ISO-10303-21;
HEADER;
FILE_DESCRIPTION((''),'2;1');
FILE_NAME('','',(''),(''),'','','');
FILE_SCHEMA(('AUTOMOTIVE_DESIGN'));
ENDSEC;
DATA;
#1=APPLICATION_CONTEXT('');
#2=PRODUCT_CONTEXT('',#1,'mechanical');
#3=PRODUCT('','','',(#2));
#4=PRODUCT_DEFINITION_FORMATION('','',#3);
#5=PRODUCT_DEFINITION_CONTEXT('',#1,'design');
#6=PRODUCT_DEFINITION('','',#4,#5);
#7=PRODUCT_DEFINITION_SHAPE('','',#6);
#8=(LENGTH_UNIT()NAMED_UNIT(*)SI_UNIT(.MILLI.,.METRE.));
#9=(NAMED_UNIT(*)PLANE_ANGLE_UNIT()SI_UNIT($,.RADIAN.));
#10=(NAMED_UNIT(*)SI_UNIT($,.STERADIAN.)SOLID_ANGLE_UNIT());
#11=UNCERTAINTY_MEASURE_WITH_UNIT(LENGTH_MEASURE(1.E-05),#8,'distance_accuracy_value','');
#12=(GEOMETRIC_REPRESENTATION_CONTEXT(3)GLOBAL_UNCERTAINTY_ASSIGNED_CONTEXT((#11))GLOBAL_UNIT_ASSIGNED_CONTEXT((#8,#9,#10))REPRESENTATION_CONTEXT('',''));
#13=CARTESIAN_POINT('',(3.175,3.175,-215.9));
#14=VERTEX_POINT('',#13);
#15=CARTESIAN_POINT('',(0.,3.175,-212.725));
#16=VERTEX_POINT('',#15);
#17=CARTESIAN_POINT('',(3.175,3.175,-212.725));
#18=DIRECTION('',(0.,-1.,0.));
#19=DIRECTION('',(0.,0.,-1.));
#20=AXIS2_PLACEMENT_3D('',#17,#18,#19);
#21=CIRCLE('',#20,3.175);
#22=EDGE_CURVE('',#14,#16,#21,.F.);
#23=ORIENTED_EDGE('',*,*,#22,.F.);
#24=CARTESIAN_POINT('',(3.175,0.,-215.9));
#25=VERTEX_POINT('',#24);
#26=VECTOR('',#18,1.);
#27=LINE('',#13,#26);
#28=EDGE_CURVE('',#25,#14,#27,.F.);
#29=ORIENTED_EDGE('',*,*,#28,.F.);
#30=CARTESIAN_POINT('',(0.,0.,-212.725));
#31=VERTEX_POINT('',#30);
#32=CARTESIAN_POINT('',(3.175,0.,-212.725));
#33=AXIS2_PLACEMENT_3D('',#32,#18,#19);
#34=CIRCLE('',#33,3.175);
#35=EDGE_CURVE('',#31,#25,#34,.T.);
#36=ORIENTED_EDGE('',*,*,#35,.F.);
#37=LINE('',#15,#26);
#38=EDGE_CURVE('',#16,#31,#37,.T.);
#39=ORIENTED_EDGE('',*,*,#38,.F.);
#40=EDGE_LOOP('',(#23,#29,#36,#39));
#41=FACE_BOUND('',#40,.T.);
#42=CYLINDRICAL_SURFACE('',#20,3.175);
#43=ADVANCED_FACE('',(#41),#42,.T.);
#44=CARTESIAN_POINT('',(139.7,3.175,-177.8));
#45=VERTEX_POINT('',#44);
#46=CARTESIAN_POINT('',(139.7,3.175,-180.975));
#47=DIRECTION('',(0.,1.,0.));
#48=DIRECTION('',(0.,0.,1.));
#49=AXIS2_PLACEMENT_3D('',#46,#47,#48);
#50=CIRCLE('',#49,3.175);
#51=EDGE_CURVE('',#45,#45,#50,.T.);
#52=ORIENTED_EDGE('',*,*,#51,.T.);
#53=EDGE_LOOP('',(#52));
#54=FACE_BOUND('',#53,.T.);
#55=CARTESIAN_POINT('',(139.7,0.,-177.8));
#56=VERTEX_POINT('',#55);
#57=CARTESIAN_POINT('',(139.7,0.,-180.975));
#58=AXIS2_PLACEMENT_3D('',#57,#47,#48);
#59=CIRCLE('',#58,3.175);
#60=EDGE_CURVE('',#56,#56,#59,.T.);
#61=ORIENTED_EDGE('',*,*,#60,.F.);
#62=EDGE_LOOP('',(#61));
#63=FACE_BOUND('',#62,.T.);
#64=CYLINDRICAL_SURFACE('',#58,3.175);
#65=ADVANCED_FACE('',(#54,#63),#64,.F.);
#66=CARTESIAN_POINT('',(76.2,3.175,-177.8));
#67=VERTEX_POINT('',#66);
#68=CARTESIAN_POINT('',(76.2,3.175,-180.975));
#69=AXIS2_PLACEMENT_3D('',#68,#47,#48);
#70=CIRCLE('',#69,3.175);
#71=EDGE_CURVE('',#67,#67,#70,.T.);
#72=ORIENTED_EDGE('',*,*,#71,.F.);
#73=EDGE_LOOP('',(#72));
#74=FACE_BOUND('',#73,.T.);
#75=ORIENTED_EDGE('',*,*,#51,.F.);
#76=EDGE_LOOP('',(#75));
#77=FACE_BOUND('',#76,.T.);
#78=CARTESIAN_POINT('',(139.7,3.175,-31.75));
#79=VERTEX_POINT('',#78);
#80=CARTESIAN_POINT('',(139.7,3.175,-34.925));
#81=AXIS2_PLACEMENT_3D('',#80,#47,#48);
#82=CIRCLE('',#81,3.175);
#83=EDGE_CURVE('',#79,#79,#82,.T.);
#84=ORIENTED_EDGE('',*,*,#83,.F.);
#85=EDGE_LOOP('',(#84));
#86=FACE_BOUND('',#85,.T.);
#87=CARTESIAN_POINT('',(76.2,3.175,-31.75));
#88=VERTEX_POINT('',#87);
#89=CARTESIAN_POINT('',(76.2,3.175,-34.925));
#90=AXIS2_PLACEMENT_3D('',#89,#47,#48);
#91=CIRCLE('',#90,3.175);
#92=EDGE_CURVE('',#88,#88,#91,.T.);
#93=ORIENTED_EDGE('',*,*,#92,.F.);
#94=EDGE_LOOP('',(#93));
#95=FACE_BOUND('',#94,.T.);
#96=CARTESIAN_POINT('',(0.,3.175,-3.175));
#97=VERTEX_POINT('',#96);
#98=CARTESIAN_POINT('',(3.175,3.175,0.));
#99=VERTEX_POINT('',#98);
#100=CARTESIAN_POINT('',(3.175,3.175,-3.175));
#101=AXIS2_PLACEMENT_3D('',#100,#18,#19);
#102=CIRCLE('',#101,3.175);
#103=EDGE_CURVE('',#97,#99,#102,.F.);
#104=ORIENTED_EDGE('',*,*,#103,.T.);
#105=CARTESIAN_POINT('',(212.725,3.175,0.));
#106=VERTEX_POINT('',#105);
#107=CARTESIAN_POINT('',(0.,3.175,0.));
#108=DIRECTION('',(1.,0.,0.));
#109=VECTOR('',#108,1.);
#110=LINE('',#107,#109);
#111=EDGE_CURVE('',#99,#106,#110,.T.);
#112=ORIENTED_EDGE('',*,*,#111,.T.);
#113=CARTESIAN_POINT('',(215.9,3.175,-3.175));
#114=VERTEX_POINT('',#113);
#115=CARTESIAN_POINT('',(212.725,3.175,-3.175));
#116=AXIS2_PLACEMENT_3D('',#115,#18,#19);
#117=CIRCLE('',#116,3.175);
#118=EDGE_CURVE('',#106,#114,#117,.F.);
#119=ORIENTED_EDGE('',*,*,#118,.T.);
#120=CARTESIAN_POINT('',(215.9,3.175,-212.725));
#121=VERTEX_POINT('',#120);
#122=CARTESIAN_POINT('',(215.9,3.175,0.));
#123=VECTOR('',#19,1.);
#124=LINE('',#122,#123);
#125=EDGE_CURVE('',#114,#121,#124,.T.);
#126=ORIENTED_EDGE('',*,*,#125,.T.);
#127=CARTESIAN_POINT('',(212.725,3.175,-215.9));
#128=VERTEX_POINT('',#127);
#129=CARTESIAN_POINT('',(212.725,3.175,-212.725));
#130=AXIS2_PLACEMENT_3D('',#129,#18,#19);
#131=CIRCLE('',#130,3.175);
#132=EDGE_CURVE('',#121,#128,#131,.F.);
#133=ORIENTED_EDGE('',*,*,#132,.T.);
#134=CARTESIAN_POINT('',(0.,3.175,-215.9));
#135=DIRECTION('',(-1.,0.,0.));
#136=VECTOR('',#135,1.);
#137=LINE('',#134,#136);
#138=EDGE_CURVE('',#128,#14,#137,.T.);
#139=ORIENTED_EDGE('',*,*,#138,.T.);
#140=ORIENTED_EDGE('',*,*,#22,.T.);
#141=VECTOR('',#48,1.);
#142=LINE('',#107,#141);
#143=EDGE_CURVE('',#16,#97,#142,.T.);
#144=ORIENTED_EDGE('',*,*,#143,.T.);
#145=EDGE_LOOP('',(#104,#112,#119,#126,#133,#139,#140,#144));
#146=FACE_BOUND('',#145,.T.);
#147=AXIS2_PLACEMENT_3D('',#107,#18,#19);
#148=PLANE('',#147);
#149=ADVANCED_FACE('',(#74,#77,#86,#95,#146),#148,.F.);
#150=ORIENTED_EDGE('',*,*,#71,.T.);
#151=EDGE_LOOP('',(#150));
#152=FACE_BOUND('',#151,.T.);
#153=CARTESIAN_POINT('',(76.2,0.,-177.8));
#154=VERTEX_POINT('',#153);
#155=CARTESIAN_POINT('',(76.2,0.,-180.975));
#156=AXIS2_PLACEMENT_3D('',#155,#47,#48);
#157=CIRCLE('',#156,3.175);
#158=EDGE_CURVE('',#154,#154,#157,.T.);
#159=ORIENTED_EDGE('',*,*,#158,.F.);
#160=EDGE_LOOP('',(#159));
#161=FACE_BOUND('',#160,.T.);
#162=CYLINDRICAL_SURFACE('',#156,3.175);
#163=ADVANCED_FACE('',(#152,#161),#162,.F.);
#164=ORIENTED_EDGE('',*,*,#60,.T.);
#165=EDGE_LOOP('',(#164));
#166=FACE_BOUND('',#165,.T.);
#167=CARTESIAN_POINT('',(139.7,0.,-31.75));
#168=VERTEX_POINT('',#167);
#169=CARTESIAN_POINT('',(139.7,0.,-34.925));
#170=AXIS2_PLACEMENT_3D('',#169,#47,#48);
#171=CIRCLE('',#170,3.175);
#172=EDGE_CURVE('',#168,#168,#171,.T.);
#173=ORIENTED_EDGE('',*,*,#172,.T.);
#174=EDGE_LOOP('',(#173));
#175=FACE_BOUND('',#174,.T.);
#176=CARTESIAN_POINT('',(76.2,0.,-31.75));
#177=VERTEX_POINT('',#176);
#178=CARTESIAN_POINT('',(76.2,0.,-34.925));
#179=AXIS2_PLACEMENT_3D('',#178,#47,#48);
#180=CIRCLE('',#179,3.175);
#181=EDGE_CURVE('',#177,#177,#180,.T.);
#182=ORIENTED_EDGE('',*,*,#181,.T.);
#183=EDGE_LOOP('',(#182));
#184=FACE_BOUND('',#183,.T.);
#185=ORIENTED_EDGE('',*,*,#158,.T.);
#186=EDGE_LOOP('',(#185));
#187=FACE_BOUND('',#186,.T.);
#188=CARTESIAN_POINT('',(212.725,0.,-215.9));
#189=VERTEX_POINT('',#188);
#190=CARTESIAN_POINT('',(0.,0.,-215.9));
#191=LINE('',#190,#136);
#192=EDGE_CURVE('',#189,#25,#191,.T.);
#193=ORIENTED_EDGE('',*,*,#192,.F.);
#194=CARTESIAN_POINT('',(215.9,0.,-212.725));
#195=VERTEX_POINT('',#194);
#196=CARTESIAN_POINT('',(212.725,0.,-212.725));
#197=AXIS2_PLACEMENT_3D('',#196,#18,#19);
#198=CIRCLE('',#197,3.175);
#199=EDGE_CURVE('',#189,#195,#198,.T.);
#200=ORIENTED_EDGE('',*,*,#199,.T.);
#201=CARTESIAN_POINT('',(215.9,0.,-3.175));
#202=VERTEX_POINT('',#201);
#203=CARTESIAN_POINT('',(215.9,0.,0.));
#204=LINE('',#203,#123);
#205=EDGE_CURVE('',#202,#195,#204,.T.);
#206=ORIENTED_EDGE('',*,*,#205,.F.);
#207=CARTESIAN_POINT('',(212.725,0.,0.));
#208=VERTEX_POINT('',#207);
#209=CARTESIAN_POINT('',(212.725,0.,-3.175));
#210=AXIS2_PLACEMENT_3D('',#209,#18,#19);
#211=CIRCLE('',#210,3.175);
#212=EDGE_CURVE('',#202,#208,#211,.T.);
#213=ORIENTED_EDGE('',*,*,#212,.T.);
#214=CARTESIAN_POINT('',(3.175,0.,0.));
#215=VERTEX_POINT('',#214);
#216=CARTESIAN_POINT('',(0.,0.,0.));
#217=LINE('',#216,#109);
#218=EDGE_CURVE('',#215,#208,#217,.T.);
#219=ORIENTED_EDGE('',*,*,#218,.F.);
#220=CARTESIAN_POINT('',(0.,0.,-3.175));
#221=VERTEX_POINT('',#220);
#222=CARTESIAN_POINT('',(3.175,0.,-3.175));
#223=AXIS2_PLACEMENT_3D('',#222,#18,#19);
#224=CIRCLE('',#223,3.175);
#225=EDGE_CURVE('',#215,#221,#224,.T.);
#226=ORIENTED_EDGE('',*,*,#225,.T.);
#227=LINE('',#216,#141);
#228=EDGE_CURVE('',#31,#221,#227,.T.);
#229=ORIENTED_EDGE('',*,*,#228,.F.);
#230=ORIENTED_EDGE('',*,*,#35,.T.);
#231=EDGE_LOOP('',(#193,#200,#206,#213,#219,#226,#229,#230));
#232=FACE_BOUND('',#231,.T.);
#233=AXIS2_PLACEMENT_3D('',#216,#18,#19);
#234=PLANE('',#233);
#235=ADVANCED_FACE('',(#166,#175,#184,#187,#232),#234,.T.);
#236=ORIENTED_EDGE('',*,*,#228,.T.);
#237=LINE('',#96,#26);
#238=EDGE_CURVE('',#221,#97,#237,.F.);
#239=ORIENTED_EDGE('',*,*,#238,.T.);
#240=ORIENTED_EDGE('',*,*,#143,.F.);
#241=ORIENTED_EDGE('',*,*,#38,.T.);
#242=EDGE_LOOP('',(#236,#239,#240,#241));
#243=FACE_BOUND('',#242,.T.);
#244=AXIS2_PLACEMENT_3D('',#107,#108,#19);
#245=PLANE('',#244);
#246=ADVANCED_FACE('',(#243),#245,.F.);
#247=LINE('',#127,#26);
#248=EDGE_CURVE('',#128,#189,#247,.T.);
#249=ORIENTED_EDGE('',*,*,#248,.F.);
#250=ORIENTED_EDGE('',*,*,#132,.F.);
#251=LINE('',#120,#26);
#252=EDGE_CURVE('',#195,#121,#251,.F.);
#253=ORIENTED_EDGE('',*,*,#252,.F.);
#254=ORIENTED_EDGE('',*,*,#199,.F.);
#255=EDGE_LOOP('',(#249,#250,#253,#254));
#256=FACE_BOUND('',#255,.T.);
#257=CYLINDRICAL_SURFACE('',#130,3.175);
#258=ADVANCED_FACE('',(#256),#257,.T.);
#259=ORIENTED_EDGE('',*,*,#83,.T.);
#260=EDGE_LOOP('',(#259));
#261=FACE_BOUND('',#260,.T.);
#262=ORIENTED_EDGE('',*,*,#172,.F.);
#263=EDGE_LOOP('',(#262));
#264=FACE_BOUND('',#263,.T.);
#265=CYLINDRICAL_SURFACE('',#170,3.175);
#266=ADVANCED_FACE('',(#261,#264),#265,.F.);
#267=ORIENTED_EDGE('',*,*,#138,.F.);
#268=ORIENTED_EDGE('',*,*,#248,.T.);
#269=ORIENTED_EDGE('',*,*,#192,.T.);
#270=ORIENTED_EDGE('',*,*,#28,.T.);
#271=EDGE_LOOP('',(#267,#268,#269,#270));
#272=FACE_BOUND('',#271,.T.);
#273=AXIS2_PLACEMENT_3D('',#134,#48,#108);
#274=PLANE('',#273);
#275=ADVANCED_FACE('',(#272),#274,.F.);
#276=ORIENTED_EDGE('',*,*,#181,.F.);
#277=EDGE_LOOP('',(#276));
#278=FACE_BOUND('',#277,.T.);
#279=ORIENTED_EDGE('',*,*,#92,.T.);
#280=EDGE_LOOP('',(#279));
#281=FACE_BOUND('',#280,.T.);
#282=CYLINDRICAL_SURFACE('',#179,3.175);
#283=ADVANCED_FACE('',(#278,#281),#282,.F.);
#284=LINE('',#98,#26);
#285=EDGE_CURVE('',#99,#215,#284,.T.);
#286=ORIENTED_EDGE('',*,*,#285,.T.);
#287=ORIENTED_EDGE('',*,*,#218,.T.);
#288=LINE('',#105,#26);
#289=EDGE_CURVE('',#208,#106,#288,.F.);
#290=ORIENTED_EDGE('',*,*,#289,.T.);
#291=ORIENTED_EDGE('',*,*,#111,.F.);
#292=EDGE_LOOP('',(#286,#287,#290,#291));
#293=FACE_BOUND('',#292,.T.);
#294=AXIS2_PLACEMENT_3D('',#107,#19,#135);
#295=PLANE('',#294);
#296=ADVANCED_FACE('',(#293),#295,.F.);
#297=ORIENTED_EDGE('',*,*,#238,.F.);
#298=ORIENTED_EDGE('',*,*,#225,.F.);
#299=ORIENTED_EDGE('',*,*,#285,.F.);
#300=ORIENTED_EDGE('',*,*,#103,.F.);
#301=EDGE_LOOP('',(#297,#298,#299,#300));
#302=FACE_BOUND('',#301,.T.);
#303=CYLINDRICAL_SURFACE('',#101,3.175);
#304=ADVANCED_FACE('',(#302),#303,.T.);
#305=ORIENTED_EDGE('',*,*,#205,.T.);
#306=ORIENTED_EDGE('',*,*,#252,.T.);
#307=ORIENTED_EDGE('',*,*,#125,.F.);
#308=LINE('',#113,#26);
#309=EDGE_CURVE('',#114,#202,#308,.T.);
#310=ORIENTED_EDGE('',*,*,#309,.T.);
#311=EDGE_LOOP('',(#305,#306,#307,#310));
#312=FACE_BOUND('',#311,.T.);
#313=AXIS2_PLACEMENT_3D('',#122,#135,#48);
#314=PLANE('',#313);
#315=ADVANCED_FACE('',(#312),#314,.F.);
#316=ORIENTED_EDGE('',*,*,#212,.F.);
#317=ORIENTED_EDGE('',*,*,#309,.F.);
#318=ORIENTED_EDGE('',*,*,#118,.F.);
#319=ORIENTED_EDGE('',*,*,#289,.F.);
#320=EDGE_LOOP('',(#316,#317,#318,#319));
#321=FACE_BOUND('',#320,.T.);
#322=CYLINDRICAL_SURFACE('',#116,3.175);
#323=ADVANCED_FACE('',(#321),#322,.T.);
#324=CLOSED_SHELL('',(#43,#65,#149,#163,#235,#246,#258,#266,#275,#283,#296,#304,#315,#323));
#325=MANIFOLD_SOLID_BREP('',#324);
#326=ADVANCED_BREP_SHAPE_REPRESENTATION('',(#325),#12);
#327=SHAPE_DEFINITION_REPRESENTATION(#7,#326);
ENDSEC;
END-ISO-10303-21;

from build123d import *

# Parameters (mm, degrees)
SKETCH2_W           = 215.9
SKETCH2_H           = 215.9
BOSS_EXTRUDE1_DEPTH = 3.175
FILLET1_R           = 3.175
SKETCH4_R           = 3.175
CUT_EXTRUDE1_DEPTH  = 306.345215494


with BuildPart() as part:
    # Sketch2 → Boss-Extrude1 (new body)
    with BuildSketch(Plane(origin=(0, 0, 0), x_dir=(1, 0, 0), z_dir=(0, 1, 0))):
        with Locations((107.95, 107.95)):
            Rectangle(SKETCH2_W, SKETCH2_H)
    extrude(amount=BOSS_EXTRUDE1_DEPTH)

    # Fillet1
    fillet1_edges = [part.edges().sort_by_distance(p)[0] for p in [
        (0, 1.5875, -215.9),
        (215.9, 1.5875, -215.9),
        (215.9, 1.5875, 0),
        (0, 1.5875, 0),
    ]]
    fillet(fillet1_edges, radius=FILLET1_R)

    # Sketch4 → Cut-Extrude1 (cut, through all)
    with BuildSketch(Plane(origin=(0, 3.175, 0), x_dir=(1, 0, 0), z_dir=(0, 1, 0))):
        with Locations(Location((76.2, 180.975, 0), (0, 0, 270))):
            Circle(SKETCH4_R)
        with Locations(Location((139.7, 180.975, 0), (0, 0, 270))):
            Circle(SKETCH4_R)
        with Locations(Location((139.7, 34.925, 0), (0, 0, 270))):
            Circle(SKETCH4_R)
        with Locations(Location((76.2, 34.925, 0), (0, 0, 270))):
            Circle(SKETCH4_R)
    extrude(amount=-CUT_EXTRUDE1_DEPTH, mode=Mode.SUBTRACT)


solid = part.part
